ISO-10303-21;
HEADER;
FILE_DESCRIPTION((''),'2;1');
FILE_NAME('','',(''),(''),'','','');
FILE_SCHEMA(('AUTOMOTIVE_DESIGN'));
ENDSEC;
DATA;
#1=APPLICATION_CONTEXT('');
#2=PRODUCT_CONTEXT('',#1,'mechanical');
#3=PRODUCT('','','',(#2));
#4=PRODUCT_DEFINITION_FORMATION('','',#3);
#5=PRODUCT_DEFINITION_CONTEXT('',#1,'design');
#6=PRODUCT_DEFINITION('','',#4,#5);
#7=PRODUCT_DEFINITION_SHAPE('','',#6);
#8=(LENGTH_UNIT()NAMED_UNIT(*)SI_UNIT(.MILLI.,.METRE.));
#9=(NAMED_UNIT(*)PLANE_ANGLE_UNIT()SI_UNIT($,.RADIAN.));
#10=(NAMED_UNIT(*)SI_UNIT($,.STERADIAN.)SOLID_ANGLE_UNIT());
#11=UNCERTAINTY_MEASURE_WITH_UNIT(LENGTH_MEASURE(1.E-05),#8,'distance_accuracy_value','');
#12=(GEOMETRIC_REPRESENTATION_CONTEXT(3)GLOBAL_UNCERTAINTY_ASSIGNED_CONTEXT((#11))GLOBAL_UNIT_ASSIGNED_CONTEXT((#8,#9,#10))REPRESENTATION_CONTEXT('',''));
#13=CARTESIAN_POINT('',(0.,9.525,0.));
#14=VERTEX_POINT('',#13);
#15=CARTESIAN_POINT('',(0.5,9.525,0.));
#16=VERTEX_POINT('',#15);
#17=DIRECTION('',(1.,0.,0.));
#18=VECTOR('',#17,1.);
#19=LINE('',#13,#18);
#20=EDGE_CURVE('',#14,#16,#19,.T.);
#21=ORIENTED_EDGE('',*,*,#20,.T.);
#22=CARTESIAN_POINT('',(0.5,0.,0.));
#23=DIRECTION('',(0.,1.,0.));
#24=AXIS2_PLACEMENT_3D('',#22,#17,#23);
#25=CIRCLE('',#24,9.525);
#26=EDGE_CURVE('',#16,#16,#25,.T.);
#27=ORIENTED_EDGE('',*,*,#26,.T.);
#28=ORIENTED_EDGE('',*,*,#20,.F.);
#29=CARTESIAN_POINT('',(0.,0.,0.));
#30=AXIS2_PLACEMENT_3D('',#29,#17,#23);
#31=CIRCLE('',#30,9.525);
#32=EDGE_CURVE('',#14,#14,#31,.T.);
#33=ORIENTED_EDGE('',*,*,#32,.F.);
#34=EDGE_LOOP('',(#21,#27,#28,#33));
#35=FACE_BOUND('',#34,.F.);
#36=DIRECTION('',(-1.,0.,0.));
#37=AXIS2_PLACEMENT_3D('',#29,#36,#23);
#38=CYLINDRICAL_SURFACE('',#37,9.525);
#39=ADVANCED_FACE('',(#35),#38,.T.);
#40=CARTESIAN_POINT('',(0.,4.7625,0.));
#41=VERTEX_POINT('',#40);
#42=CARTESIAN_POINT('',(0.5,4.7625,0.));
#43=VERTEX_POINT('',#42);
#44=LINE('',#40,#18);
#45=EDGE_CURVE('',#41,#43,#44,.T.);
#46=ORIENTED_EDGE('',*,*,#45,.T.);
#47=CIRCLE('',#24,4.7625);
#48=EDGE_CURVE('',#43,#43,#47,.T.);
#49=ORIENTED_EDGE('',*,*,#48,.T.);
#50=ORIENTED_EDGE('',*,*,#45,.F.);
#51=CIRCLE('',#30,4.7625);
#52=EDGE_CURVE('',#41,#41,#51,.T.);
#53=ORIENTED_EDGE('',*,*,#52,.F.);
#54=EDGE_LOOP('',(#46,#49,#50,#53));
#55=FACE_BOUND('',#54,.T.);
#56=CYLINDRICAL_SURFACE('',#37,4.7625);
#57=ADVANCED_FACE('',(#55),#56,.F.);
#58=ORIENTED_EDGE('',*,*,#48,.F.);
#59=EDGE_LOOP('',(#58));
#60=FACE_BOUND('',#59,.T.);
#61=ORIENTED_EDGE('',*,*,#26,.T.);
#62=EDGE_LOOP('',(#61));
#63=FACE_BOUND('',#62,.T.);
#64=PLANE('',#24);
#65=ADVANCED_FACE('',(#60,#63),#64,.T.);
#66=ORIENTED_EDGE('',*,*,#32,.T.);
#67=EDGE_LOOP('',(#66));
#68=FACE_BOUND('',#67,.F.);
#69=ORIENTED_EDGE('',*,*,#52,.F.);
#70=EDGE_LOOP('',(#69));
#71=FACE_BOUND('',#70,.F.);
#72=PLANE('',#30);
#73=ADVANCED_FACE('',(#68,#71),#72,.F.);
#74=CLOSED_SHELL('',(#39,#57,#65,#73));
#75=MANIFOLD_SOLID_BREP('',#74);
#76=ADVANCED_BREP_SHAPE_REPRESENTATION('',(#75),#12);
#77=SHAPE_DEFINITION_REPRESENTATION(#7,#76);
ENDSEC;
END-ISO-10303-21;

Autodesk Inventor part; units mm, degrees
ref_plane "YZ Plane" through (0, 0, 0) normal (1, 0, 0) x (0, 1, 0)
ref_plane "XZ Plane" through (0, 0, 0) normal (0, 1, 0) x (-1, 0, 0)
ref_plane "XY Plane" through (0, 0, 0) normal (0, 0, 1) x (1, 0, 0)
sketch "Sketch1" plane through (0, 0, 0) normal (1, 0, 0) x (0, 1, 0)
  circle A0 centre (0, 0) radius 4.7625
  circle A1 centre (0, 0) radius 9.525
  dimension "d0" = 9.525
  dimension "d1" = 19.05
extrude "Extrusion1" add sketch "Sketch1" along normal blind 0.5
properties part number "P60 Shaft Shim" material "Steel"
